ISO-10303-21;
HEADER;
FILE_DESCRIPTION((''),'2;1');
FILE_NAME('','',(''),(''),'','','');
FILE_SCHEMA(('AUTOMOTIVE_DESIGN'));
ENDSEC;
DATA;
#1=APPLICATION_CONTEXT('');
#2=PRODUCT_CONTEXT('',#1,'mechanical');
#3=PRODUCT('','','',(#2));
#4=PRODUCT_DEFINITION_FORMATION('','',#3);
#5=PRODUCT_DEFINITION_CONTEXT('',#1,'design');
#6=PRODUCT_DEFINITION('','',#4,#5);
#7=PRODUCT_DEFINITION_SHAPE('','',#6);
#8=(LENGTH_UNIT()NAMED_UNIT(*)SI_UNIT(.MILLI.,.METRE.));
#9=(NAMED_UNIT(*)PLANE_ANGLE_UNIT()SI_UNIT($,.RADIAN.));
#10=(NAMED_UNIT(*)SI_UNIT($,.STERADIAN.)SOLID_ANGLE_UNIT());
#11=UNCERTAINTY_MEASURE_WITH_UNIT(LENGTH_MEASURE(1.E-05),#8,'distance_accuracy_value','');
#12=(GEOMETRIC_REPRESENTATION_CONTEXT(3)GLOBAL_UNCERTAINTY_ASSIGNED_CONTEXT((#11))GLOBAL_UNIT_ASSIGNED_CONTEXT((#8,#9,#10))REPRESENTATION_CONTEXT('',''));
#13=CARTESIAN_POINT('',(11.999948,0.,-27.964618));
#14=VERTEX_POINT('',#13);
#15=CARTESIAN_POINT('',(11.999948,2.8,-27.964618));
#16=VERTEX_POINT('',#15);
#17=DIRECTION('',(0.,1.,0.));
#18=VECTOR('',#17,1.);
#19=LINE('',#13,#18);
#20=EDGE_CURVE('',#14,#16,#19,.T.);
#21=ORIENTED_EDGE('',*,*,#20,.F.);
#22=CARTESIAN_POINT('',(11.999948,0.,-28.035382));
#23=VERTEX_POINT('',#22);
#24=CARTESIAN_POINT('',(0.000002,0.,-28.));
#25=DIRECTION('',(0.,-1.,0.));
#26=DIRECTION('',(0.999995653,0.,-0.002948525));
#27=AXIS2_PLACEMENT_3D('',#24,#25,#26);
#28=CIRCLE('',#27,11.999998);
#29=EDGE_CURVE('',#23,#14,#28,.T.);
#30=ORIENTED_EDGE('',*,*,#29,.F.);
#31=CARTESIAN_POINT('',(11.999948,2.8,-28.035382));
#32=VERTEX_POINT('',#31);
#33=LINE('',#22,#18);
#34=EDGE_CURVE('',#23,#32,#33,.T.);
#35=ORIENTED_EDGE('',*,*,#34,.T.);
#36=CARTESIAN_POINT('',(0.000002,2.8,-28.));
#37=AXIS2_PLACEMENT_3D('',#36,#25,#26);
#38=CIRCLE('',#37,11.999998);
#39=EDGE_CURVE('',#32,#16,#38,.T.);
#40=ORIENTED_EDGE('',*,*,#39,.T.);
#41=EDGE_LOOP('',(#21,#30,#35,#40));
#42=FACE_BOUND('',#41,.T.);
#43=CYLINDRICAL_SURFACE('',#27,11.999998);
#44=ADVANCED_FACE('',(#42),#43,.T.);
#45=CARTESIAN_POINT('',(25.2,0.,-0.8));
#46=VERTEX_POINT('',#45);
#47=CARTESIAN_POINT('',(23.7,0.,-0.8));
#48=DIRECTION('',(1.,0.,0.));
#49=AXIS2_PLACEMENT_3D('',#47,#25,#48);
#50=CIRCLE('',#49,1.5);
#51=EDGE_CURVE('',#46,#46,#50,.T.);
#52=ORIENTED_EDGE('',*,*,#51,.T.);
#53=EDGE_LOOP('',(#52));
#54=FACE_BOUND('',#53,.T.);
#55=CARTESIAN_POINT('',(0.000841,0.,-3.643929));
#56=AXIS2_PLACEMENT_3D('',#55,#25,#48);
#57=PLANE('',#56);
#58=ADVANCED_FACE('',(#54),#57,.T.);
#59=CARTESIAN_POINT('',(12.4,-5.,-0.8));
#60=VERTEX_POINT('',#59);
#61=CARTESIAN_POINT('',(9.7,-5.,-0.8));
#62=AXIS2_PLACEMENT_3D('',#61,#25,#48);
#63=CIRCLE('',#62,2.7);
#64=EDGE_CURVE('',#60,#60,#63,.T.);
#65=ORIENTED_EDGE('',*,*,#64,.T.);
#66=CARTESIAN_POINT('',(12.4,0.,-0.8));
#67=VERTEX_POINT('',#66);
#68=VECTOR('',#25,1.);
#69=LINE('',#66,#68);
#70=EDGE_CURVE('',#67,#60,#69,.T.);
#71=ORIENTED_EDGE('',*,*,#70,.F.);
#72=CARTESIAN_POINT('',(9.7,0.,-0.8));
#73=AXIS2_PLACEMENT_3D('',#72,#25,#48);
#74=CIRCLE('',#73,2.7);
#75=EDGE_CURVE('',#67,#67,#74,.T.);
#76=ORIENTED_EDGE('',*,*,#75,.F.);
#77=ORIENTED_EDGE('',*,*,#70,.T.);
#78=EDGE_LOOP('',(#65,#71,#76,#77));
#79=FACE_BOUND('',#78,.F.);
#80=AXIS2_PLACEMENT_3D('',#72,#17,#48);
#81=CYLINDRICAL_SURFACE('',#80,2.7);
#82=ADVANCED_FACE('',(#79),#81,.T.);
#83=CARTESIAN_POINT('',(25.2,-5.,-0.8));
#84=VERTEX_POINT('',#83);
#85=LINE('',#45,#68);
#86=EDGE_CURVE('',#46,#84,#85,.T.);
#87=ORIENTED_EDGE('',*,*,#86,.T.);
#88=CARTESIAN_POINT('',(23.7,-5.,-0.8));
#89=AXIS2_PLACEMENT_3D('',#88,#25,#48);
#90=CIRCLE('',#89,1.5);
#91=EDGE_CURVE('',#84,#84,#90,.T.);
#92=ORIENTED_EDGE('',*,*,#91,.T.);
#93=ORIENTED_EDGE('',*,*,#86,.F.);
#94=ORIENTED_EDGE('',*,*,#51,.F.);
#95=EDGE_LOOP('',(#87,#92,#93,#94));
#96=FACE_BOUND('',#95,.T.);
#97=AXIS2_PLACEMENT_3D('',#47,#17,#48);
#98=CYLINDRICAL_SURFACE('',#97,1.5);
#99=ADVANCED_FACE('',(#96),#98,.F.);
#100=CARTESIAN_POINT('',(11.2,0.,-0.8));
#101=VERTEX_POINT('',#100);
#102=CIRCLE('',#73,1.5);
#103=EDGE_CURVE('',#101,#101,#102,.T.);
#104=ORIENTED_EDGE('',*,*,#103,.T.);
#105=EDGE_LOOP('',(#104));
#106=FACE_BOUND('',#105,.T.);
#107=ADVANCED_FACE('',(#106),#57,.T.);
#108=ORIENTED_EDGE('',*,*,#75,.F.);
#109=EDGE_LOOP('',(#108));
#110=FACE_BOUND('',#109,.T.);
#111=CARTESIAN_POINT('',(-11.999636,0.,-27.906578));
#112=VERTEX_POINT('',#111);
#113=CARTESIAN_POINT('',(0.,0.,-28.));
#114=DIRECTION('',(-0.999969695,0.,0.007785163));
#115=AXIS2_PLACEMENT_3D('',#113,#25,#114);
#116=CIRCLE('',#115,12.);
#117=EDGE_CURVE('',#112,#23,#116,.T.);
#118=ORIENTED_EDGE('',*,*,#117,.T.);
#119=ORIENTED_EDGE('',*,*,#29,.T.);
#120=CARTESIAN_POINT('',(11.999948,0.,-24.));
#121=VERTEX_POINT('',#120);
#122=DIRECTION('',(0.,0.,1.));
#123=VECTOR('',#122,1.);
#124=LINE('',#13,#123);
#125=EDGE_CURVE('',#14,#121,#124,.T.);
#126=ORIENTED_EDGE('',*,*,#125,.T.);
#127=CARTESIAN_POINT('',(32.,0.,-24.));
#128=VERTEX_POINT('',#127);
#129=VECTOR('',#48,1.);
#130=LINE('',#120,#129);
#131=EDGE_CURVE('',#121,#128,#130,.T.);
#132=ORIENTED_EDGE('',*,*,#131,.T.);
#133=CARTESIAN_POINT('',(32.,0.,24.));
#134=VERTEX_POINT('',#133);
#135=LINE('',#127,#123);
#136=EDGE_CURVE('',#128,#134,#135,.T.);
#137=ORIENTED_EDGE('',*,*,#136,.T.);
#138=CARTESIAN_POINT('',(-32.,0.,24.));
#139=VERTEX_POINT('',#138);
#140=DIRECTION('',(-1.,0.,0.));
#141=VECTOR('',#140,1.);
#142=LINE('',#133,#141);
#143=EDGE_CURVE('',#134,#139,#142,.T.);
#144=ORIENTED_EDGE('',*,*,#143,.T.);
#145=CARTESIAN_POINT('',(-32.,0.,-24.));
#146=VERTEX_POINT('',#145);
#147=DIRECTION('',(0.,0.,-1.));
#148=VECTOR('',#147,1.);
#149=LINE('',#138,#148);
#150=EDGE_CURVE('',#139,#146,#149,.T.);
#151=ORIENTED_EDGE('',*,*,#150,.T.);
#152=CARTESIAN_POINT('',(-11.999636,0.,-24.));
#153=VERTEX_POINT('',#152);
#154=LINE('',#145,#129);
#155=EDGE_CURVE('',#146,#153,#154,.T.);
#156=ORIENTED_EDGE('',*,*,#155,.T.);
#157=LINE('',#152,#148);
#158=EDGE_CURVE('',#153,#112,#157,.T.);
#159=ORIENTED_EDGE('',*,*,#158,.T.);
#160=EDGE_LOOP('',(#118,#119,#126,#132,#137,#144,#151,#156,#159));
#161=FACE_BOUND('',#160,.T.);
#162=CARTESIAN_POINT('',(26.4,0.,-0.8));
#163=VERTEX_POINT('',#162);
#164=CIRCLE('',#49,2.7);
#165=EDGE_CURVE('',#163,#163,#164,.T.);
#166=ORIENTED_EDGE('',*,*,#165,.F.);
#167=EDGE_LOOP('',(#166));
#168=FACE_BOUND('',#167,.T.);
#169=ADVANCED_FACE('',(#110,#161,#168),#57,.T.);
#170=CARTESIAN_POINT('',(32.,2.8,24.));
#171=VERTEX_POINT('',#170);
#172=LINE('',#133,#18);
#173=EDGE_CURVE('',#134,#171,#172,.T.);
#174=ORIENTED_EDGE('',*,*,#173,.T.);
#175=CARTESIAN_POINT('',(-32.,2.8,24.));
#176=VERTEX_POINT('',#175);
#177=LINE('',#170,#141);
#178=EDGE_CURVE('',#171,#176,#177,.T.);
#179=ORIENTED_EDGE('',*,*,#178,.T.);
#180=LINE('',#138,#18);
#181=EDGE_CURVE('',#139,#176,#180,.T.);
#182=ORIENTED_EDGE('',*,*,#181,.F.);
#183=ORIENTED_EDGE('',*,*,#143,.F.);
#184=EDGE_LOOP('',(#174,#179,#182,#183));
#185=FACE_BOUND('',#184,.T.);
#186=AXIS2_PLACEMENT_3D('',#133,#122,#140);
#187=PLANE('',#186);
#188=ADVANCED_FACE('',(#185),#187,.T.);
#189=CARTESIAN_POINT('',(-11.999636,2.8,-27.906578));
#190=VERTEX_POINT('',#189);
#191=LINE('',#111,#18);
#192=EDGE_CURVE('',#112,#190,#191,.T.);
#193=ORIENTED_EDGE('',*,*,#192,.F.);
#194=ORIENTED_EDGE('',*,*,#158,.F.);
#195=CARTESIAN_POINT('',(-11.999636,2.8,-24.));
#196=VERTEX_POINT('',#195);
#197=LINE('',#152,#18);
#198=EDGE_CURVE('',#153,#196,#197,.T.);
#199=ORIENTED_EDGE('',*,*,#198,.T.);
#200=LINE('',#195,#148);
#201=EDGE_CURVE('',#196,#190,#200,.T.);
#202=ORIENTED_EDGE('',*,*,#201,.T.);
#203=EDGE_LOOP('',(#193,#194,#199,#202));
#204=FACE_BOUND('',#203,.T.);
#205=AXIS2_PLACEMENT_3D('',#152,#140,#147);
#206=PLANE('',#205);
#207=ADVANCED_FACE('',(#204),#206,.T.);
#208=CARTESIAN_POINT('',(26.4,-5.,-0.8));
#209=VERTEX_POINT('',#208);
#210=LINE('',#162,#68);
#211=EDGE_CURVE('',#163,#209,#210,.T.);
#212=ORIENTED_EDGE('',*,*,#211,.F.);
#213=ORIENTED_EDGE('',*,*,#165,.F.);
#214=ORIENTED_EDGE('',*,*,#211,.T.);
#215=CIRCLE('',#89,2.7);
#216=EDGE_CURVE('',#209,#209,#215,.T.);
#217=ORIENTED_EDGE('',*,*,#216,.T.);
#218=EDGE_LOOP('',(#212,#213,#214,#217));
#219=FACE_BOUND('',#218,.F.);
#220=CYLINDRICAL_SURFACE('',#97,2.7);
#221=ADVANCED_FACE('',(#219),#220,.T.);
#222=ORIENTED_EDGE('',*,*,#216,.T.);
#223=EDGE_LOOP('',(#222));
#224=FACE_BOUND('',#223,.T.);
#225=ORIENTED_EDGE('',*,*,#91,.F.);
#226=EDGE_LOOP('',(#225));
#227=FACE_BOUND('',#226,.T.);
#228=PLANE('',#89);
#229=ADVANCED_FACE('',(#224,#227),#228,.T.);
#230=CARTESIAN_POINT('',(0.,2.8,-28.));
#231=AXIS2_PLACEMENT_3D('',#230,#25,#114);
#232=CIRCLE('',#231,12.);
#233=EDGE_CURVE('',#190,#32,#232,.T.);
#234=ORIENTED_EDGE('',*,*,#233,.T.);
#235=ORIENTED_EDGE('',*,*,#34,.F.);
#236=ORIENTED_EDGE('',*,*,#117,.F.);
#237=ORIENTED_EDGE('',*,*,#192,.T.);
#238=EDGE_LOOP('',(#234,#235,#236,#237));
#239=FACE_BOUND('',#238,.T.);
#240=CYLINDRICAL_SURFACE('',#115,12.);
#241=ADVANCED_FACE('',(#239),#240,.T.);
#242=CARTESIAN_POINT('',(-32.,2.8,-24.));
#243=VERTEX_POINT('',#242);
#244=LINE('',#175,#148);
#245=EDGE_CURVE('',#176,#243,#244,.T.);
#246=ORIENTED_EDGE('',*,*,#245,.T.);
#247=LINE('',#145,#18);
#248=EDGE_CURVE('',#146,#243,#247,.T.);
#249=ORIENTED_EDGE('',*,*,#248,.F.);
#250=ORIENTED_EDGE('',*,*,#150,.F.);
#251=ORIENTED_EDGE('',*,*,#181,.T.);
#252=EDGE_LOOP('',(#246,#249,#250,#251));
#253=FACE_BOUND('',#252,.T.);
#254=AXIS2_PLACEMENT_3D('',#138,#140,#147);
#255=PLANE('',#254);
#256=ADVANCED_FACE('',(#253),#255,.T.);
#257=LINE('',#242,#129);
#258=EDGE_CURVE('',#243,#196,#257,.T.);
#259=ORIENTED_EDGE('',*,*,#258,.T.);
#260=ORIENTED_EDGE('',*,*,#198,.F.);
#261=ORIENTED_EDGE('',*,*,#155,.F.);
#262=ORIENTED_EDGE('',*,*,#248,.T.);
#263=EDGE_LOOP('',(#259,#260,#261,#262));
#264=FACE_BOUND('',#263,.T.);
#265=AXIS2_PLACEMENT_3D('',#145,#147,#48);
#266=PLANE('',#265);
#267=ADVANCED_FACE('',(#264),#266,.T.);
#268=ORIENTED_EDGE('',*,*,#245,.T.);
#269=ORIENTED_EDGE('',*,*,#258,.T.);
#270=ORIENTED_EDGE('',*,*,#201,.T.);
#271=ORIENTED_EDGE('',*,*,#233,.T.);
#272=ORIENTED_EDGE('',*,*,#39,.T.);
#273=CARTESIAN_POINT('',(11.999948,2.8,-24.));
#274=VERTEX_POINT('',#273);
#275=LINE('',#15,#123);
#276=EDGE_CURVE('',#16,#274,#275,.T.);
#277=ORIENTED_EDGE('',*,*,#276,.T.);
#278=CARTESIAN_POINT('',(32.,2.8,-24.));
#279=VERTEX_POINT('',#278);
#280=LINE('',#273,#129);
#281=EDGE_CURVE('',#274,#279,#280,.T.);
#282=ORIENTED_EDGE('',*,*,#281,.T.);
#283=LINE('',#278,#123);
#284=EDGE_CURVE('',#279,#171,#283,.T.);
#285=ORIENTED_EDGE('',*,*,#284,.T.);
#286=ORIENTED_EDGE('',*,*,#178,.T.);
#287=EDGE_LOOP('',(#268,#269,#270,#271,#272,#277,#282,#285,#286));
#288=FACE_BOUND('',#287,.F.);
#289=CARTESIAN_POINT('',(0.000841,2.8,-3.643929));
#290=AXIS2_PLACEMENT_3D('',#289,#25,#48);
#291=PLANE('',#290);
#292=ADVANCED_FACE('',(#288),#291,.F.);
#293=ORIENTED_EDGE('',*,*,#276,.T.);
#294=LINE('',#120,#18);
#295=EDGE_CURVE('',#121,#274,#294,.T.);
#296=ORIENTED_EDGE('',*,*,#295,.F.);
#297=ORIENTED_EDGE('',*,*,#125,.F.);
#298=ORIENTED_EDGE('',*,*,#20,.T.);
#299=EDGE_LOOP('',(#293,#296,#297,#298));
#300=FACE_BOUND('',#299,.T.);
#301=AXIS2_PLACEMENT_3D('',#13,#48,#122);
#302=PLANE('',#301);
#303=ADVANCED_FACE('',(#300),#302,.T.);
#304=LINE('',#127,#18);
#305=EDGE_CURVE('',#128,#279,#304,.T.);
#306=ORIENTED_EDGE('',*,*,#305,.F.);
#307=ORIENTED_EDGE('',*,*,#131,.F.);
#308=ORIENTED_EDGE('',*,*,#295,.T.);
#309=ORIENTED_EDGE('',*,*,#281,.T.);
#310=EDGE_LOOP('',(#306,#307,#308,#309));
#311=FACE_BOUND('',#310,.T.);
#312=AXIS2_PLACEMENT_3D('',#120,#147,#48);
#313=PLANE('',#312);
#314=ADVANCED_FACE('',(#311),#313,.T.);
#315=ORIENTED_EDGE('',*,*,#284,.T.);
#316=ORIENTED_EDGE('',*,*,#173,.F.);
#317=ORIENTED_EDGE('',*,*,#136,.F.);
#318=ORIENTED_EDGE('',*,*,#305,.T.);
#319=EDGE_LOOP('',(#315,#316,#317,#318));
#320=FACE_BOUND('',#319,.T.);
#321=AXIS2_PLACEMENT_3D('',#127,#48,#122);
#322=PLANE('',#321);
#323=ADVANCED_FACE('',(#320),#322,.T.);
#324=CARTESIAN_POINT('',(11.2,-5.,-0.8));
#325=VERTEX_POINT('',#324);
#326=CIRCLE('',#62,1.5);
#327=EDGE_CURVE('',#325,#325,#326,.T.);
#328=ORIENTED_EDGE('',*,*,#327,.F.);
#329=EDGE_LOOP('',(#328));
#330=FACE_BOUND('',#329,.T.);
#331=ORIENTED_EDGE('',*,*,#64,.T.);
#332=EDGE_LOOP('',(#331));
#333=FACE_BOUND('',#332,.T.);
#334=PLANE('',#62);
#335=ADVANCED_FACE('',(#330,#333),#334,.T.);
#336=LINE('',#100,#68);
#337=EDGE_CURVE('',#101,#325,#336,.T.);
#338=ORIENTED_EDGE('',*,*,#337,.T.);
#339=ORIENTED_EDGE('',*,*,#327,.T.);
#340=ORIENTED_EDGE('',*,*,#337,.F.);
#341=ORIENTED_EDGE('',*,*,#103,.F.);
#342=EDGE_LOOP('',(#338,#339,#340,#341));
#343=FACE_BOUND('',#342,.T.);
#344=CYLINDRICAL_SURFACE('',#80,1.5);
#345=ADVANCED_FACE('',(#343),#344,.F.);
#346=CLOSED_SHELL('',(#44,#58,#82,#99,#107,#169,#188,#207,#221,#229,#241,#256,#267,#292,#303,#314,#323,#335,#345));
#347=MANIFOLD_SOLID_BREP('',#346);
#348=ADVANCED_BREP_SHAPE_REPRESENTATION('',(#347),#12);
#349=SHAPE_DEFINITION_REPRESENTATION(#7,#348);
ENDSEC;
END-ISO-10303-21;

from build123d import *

# Parameters (mm, degrees)
F0_R     = 2.7
F0_R_2   = 1.5
F1_DEPTH = 5
F2_DEPTH = 2.8


with BuildPart() as f1:
    # F0 (on Front) → F1 (new body)
    with BuildSketch(Plane.XZ):
        with Locations((23.7, -0.8)):
            Circle(F0_R)
        with Locations((23.7, -0.8)):
            Circle(F0_R_2, mode=Mode.SUBTRACT)
    extrude(amount=F1_DEPTH)



with BuildPart() as f1b:
    # F0 (on Front) → F1, piece 2 (new body)
    with BuildSketch(Plane.XZ):
        with Locations((9.7, -0.8)):
            Circle(F0_R)
        with Locations((9.7, -0.8)):
            Circle(F0_R_2, mode=Mode.SUBTRACT)
    extrude(amount=F1_DEPTH)


with BuildPart() as f1_1:
    add(f1.part)

    add(f1b.part)  # F2 merges F1b
    # F0 (on Front) → F2 (join)
    with BuildSketch(Plane.XZ):
        with BuildLine():
            Line((11.9999478371, -24), (32, -24))
            Line((32, -24), (32, 24))
            Line((32, 24), (-32, 24))
            Line((-32, 24), (-32, -24))
            Line((-32, -24), (-11.9996363419, -24))
            Line((-11.9996363419, -24), (-11.9996363419, -27.906578041))
            ThreePointArc((-11.9996363419, -27.906578041), (-0.0644023145, -39.9998271797), (11.9999478371, -28.0353822933))
            ThreePointArc((11.9999478371, -28.0353822933), (12, -28), (11.9999478371, -27.9646177067))
            Line((11.9999478371, -27.9646177067), (11.9999478371, -24))
        make_face()
        with Locations((9.7, -0.8)):
            Circle(F0_R, mode=Mode.SUBTRACT)
        with Locations((23.7, -0.8)):
            Circle(F0_R, mode=Mode.SUBTRACT)
        with Locations((9.7, -0.8)):
            Circle(F0_R)
        with Locations((9.7, -0.8)):
            Circle(F0_R_2, mode=Mode.SUBTRACT)
        with Locations((9.7, -0.8)):
            Circle(F0_R_2)
        with Locations((23.7, -0.8)):
            Circle(F0_R)
        with Locations((23.7, -0.8)):
            Circle(F0_R_2, mode=Mode.SUBTRACT)
        with Locations((23.7, -0.8)):
            Circle(F0_R_2)
    extrude(amount=-F2_DEPTH)


solid = f1_1.part
